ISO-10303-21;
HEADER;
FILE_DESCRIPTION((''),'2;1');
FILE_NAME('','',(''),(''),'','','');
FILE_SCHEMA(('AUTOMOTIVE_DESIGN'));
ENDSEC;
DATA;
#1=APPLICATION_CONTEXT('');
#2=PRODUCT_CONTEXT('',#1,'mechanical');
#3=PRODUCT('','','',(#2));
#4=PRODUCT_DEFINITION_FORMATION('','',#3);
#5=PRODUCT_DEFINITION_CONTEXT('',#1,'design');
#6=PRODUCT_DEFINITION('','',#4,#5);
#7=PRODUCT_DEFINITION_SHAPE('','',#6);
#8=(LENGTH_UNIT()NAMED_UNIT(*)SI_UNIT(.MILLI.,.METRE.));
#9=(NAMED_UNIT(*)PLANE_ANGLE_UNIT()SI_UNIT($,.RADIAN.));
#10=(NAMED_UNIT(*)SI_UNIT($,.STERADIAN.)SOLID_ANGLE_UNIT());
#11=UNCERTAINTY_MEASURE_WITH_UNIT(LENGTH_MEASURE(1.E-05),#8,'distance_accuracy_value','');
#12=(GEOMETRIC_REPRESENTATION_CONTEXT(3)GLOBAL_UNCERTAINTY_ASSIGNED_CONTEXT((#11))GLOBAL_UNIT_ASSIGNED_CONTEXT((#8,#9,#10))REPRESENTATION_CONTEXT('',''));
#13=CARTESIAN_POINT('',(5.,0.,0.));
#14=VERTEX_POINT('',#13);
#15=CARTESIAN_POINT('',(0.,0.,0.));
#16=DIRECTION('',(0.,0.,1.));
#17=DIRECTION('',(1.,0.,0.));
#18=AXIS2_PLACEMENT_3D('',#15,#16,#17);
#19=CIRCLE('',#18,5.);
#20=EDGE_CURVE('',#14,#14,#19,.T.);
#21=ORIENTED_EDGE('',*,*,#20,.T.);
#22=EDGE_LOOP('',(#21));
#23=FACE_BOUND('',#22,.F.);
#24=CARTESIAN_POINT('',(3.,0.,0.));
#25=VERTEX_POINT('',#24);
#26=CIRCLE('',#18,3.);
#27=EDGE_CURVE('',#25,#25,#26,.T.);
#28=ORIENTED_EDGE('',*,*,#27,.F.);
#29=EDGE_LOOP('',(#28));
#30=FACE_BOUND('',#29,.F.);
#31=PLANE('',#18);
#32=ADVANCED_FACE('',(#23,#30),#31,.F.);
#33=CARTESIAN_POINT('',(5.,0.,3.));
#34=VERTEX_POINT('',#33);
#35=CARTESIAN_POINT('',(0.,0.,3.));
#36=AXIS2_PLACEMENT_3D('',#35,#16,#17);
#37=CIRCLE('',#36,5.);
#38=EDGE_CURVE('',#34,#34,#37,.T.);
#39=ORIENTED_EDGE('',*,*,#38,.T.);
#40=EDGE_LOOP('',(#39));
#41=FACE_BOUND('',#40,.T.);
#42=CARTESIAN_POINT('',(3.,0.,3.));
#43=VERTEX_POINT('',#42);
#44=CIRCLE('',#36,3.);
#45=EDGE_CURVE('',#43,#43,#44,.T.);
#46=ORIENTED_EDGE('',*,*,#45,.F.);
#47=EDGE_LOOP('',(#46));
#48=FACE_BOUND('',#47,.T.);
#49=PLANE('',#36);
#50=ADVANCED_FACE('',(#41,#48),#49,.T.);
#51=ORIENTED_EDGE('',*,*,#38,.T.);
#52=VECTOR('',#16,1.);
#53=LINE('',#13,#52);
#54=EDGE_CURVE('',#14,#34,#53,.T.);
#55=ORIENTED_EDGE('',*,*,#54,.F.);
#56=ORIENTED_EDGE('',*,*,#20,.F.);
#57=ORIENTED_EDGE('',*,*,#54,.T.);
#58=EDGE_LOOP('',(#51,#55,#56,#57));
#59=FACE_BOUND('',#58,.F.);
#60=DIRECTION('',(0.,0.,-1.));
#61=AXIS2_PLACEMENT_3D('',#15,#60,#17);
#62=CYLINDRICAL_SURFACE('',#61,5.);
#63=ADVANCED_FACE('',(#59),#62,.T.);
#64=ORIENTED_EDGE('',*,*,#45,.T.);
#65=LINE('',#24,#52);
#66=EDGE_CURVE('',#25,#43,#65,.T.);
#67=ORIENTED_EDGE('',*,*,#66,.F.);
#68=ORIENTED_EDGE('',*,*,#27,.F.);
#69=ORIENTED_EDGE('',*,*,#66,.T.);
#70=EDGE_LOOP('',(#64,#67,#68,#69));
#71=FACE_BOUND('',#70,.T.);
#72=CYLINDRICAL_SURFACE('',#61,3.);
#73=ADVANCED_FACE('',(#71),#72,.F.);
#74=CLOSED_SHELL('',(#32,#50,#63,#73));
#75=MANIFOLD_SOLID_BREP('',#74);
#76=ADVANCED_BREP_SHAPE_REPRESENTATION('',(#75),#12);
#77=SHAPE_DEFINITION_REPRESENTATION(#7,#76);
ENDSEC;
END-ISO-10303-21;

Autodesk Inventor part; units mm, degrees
ref_plane "YZ Plane" through (0, 0, 0) normal (1, 0, 0) x (0, 1, 0)
ref_plane "XZ Plane" through (0, 0, 0) normal (0, 1, 0) x (-1, 0, 0)
ref_plane "XY Plane" through (0, 0, 0) normal (0, 0, 1) x (1, 0, 0)
sketch "スケッチ1" plane through (0, 0, 0) normal (0, 0, 1) x (1, 0, 0)
  circle A0 centre (0, 0) radius 3
  circle A1 centre (0, 0) radius 5
  dimension "d0" = 6
  dimension "d1" = 10
extrude "押し出し1" add sketch "スケッチ1" along normal blind 3
properties part number "オイレス グライトロン0610,3t" material "ポリテトラフルオロエチレン"
